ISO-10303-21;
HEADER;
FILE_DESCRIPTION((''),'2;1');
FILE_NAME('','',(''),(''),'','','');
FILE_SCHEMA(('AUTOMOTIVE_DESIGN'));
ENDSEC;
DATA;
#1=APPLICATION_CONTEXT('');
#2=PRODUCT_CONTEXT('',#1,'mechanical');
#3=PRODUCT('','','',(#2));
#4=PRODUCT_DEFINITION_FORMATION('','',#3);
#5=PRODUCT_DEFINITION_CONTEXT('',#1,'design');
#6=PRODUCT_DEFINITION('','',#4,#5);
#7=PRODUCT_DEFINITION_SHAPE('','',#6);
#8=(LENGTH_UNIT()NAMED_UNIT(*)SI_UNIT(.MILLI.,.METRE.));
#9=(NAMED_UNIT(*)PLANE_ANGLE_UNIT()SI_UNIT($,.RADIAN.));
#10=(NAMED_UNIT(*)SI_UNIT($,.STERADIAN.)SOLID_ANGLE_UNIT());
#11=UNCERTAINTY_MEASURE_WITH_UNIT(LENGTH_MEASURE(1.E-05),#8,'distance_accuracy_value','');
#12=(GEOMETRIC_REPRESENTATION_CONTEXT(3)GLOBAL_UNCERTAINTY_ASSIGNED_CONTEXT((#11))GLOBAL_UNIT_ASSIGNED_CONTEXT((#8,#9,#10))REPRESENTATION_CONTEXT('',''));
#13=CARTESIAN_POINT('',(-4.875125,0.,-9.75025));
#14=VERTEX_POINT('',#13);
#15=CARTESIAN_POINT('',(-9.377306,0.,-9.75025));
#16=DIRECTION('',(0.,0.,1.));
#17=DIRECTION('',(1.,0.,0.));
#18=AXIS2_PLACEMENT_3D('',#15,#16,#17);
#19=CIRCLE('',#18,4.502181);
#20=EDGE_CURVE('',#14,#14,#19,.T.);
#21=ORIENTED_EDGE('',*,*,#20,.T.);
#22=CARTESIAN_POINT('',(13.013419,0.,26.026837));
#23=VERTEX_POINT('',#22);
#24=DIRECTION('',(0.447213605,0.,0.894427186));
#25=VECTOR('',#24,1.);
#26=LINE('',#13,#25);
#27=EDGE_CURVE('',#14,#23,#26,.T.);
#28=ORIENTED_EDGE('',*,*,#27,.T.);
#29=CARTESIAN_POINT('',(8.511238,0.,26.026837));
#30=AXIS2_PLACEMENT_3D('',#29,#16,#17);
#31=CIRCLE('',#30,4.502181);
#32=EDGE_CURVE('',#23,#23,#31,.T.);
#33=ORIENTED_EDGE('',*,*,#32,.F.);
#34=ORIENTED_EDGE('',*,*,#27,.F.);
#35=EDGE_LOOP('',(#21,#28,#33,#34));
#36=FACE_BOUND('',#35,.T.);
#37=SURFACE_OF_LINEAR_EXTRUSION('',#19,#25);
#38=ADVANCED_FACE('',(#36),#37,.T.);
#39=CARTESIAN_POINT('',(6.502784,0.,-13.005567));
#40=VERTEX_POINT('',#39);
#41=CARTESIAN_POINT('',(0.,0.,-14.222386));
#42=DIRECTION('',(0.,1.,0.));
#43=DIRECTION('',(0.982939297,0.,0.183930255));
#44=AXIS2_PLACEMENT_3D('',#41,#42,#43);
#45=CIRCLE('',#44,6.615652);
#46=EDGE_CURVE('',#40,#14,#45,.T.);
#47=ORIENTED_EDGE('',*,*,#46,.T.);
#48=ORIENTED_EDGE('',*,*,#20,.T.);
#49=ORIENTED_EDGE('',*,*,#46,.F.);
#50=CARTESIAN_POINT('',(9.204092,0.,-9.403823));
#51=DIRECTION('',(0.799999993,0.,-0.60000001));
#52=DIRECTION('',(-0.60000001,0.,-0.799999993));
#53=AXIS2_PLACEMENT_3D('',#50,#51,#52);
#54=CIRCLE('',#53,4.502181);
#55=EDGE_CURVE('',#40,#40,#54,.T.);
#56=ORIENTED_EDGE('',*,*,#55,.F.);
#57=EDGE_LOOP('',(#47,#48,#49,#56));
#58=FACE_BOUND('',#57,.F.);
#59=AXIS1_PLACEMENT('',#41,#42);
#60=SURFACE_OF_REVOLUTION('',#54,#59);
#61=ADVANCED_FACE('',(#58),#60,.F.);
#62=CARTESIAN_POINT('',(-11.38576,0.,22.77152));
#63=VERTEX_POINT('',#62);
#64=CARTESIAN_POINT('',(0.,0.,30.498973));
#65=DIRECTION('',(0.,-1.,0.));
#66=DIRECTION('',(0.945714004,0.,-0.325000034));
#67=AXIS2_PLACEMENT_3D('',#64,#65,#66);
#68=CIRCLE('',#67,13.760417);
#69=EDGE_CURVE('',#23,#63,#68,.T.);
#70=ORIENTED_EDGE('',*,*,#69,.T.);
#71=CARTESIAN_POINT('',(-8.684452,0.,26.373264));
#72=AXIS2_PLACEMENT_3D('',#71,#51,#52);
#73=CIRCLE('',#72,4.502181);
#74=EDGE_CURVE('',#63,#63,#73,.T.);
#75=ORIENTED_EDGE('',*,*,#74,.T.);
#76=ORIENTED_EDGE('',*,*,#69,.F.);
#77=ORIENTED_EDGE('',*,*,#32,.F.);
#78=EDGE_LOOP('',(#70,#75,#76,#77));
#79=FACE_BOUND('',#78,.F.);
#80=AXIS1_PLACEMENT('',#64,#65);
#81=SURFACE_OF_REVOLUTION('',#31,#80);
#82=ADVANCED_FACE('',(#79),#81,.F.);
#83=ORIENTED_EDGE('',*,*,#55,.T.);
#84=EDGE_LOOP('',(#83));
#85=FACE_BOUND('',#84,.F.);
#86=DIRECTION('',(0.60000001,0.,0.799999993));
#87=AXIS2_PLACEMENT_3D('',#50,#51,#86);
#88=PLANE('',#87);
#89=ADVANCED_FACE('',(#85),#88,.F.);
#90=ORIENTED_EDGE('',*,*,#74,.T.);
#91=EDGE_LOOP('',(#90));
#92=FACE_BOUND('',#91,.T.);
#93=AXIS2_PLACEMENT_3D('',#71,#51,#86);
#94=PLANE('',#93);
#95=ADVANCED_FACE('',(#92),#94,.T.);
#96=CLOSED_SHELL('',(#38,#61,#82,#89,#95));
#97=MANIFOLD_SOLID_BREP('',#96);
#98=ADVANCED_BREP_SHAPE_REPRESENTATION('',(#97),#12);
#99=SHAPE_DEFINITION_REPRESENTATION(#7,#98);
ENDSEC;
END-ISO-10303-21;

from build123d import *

# Parameters (mm, degrees)
F1_R = 4.502181


with BuildPart() as f2:
    # F2: sweep along a path in F0
    with BuildLine(Plane.XZ) as f2_path:
        ThreePointArc((8.944272, -9.75025), (0, -24.222386), (-8.944272, -9.75025))
        Line((-8.944272, -9.75025), (8.944272, 26.026837))
        ThreePointArc((8.944272, 26.026837), (0, 40.498973), (-8.944272, 26.026837))
    # F1 (on Top) → F2 (sweep)
    with BuildSketch(Plane.XY):
        with Locations((-4.502181, 0)):
            Circle(F1_R)
    sweep(path=f2_path.line)


solid = f2.part
